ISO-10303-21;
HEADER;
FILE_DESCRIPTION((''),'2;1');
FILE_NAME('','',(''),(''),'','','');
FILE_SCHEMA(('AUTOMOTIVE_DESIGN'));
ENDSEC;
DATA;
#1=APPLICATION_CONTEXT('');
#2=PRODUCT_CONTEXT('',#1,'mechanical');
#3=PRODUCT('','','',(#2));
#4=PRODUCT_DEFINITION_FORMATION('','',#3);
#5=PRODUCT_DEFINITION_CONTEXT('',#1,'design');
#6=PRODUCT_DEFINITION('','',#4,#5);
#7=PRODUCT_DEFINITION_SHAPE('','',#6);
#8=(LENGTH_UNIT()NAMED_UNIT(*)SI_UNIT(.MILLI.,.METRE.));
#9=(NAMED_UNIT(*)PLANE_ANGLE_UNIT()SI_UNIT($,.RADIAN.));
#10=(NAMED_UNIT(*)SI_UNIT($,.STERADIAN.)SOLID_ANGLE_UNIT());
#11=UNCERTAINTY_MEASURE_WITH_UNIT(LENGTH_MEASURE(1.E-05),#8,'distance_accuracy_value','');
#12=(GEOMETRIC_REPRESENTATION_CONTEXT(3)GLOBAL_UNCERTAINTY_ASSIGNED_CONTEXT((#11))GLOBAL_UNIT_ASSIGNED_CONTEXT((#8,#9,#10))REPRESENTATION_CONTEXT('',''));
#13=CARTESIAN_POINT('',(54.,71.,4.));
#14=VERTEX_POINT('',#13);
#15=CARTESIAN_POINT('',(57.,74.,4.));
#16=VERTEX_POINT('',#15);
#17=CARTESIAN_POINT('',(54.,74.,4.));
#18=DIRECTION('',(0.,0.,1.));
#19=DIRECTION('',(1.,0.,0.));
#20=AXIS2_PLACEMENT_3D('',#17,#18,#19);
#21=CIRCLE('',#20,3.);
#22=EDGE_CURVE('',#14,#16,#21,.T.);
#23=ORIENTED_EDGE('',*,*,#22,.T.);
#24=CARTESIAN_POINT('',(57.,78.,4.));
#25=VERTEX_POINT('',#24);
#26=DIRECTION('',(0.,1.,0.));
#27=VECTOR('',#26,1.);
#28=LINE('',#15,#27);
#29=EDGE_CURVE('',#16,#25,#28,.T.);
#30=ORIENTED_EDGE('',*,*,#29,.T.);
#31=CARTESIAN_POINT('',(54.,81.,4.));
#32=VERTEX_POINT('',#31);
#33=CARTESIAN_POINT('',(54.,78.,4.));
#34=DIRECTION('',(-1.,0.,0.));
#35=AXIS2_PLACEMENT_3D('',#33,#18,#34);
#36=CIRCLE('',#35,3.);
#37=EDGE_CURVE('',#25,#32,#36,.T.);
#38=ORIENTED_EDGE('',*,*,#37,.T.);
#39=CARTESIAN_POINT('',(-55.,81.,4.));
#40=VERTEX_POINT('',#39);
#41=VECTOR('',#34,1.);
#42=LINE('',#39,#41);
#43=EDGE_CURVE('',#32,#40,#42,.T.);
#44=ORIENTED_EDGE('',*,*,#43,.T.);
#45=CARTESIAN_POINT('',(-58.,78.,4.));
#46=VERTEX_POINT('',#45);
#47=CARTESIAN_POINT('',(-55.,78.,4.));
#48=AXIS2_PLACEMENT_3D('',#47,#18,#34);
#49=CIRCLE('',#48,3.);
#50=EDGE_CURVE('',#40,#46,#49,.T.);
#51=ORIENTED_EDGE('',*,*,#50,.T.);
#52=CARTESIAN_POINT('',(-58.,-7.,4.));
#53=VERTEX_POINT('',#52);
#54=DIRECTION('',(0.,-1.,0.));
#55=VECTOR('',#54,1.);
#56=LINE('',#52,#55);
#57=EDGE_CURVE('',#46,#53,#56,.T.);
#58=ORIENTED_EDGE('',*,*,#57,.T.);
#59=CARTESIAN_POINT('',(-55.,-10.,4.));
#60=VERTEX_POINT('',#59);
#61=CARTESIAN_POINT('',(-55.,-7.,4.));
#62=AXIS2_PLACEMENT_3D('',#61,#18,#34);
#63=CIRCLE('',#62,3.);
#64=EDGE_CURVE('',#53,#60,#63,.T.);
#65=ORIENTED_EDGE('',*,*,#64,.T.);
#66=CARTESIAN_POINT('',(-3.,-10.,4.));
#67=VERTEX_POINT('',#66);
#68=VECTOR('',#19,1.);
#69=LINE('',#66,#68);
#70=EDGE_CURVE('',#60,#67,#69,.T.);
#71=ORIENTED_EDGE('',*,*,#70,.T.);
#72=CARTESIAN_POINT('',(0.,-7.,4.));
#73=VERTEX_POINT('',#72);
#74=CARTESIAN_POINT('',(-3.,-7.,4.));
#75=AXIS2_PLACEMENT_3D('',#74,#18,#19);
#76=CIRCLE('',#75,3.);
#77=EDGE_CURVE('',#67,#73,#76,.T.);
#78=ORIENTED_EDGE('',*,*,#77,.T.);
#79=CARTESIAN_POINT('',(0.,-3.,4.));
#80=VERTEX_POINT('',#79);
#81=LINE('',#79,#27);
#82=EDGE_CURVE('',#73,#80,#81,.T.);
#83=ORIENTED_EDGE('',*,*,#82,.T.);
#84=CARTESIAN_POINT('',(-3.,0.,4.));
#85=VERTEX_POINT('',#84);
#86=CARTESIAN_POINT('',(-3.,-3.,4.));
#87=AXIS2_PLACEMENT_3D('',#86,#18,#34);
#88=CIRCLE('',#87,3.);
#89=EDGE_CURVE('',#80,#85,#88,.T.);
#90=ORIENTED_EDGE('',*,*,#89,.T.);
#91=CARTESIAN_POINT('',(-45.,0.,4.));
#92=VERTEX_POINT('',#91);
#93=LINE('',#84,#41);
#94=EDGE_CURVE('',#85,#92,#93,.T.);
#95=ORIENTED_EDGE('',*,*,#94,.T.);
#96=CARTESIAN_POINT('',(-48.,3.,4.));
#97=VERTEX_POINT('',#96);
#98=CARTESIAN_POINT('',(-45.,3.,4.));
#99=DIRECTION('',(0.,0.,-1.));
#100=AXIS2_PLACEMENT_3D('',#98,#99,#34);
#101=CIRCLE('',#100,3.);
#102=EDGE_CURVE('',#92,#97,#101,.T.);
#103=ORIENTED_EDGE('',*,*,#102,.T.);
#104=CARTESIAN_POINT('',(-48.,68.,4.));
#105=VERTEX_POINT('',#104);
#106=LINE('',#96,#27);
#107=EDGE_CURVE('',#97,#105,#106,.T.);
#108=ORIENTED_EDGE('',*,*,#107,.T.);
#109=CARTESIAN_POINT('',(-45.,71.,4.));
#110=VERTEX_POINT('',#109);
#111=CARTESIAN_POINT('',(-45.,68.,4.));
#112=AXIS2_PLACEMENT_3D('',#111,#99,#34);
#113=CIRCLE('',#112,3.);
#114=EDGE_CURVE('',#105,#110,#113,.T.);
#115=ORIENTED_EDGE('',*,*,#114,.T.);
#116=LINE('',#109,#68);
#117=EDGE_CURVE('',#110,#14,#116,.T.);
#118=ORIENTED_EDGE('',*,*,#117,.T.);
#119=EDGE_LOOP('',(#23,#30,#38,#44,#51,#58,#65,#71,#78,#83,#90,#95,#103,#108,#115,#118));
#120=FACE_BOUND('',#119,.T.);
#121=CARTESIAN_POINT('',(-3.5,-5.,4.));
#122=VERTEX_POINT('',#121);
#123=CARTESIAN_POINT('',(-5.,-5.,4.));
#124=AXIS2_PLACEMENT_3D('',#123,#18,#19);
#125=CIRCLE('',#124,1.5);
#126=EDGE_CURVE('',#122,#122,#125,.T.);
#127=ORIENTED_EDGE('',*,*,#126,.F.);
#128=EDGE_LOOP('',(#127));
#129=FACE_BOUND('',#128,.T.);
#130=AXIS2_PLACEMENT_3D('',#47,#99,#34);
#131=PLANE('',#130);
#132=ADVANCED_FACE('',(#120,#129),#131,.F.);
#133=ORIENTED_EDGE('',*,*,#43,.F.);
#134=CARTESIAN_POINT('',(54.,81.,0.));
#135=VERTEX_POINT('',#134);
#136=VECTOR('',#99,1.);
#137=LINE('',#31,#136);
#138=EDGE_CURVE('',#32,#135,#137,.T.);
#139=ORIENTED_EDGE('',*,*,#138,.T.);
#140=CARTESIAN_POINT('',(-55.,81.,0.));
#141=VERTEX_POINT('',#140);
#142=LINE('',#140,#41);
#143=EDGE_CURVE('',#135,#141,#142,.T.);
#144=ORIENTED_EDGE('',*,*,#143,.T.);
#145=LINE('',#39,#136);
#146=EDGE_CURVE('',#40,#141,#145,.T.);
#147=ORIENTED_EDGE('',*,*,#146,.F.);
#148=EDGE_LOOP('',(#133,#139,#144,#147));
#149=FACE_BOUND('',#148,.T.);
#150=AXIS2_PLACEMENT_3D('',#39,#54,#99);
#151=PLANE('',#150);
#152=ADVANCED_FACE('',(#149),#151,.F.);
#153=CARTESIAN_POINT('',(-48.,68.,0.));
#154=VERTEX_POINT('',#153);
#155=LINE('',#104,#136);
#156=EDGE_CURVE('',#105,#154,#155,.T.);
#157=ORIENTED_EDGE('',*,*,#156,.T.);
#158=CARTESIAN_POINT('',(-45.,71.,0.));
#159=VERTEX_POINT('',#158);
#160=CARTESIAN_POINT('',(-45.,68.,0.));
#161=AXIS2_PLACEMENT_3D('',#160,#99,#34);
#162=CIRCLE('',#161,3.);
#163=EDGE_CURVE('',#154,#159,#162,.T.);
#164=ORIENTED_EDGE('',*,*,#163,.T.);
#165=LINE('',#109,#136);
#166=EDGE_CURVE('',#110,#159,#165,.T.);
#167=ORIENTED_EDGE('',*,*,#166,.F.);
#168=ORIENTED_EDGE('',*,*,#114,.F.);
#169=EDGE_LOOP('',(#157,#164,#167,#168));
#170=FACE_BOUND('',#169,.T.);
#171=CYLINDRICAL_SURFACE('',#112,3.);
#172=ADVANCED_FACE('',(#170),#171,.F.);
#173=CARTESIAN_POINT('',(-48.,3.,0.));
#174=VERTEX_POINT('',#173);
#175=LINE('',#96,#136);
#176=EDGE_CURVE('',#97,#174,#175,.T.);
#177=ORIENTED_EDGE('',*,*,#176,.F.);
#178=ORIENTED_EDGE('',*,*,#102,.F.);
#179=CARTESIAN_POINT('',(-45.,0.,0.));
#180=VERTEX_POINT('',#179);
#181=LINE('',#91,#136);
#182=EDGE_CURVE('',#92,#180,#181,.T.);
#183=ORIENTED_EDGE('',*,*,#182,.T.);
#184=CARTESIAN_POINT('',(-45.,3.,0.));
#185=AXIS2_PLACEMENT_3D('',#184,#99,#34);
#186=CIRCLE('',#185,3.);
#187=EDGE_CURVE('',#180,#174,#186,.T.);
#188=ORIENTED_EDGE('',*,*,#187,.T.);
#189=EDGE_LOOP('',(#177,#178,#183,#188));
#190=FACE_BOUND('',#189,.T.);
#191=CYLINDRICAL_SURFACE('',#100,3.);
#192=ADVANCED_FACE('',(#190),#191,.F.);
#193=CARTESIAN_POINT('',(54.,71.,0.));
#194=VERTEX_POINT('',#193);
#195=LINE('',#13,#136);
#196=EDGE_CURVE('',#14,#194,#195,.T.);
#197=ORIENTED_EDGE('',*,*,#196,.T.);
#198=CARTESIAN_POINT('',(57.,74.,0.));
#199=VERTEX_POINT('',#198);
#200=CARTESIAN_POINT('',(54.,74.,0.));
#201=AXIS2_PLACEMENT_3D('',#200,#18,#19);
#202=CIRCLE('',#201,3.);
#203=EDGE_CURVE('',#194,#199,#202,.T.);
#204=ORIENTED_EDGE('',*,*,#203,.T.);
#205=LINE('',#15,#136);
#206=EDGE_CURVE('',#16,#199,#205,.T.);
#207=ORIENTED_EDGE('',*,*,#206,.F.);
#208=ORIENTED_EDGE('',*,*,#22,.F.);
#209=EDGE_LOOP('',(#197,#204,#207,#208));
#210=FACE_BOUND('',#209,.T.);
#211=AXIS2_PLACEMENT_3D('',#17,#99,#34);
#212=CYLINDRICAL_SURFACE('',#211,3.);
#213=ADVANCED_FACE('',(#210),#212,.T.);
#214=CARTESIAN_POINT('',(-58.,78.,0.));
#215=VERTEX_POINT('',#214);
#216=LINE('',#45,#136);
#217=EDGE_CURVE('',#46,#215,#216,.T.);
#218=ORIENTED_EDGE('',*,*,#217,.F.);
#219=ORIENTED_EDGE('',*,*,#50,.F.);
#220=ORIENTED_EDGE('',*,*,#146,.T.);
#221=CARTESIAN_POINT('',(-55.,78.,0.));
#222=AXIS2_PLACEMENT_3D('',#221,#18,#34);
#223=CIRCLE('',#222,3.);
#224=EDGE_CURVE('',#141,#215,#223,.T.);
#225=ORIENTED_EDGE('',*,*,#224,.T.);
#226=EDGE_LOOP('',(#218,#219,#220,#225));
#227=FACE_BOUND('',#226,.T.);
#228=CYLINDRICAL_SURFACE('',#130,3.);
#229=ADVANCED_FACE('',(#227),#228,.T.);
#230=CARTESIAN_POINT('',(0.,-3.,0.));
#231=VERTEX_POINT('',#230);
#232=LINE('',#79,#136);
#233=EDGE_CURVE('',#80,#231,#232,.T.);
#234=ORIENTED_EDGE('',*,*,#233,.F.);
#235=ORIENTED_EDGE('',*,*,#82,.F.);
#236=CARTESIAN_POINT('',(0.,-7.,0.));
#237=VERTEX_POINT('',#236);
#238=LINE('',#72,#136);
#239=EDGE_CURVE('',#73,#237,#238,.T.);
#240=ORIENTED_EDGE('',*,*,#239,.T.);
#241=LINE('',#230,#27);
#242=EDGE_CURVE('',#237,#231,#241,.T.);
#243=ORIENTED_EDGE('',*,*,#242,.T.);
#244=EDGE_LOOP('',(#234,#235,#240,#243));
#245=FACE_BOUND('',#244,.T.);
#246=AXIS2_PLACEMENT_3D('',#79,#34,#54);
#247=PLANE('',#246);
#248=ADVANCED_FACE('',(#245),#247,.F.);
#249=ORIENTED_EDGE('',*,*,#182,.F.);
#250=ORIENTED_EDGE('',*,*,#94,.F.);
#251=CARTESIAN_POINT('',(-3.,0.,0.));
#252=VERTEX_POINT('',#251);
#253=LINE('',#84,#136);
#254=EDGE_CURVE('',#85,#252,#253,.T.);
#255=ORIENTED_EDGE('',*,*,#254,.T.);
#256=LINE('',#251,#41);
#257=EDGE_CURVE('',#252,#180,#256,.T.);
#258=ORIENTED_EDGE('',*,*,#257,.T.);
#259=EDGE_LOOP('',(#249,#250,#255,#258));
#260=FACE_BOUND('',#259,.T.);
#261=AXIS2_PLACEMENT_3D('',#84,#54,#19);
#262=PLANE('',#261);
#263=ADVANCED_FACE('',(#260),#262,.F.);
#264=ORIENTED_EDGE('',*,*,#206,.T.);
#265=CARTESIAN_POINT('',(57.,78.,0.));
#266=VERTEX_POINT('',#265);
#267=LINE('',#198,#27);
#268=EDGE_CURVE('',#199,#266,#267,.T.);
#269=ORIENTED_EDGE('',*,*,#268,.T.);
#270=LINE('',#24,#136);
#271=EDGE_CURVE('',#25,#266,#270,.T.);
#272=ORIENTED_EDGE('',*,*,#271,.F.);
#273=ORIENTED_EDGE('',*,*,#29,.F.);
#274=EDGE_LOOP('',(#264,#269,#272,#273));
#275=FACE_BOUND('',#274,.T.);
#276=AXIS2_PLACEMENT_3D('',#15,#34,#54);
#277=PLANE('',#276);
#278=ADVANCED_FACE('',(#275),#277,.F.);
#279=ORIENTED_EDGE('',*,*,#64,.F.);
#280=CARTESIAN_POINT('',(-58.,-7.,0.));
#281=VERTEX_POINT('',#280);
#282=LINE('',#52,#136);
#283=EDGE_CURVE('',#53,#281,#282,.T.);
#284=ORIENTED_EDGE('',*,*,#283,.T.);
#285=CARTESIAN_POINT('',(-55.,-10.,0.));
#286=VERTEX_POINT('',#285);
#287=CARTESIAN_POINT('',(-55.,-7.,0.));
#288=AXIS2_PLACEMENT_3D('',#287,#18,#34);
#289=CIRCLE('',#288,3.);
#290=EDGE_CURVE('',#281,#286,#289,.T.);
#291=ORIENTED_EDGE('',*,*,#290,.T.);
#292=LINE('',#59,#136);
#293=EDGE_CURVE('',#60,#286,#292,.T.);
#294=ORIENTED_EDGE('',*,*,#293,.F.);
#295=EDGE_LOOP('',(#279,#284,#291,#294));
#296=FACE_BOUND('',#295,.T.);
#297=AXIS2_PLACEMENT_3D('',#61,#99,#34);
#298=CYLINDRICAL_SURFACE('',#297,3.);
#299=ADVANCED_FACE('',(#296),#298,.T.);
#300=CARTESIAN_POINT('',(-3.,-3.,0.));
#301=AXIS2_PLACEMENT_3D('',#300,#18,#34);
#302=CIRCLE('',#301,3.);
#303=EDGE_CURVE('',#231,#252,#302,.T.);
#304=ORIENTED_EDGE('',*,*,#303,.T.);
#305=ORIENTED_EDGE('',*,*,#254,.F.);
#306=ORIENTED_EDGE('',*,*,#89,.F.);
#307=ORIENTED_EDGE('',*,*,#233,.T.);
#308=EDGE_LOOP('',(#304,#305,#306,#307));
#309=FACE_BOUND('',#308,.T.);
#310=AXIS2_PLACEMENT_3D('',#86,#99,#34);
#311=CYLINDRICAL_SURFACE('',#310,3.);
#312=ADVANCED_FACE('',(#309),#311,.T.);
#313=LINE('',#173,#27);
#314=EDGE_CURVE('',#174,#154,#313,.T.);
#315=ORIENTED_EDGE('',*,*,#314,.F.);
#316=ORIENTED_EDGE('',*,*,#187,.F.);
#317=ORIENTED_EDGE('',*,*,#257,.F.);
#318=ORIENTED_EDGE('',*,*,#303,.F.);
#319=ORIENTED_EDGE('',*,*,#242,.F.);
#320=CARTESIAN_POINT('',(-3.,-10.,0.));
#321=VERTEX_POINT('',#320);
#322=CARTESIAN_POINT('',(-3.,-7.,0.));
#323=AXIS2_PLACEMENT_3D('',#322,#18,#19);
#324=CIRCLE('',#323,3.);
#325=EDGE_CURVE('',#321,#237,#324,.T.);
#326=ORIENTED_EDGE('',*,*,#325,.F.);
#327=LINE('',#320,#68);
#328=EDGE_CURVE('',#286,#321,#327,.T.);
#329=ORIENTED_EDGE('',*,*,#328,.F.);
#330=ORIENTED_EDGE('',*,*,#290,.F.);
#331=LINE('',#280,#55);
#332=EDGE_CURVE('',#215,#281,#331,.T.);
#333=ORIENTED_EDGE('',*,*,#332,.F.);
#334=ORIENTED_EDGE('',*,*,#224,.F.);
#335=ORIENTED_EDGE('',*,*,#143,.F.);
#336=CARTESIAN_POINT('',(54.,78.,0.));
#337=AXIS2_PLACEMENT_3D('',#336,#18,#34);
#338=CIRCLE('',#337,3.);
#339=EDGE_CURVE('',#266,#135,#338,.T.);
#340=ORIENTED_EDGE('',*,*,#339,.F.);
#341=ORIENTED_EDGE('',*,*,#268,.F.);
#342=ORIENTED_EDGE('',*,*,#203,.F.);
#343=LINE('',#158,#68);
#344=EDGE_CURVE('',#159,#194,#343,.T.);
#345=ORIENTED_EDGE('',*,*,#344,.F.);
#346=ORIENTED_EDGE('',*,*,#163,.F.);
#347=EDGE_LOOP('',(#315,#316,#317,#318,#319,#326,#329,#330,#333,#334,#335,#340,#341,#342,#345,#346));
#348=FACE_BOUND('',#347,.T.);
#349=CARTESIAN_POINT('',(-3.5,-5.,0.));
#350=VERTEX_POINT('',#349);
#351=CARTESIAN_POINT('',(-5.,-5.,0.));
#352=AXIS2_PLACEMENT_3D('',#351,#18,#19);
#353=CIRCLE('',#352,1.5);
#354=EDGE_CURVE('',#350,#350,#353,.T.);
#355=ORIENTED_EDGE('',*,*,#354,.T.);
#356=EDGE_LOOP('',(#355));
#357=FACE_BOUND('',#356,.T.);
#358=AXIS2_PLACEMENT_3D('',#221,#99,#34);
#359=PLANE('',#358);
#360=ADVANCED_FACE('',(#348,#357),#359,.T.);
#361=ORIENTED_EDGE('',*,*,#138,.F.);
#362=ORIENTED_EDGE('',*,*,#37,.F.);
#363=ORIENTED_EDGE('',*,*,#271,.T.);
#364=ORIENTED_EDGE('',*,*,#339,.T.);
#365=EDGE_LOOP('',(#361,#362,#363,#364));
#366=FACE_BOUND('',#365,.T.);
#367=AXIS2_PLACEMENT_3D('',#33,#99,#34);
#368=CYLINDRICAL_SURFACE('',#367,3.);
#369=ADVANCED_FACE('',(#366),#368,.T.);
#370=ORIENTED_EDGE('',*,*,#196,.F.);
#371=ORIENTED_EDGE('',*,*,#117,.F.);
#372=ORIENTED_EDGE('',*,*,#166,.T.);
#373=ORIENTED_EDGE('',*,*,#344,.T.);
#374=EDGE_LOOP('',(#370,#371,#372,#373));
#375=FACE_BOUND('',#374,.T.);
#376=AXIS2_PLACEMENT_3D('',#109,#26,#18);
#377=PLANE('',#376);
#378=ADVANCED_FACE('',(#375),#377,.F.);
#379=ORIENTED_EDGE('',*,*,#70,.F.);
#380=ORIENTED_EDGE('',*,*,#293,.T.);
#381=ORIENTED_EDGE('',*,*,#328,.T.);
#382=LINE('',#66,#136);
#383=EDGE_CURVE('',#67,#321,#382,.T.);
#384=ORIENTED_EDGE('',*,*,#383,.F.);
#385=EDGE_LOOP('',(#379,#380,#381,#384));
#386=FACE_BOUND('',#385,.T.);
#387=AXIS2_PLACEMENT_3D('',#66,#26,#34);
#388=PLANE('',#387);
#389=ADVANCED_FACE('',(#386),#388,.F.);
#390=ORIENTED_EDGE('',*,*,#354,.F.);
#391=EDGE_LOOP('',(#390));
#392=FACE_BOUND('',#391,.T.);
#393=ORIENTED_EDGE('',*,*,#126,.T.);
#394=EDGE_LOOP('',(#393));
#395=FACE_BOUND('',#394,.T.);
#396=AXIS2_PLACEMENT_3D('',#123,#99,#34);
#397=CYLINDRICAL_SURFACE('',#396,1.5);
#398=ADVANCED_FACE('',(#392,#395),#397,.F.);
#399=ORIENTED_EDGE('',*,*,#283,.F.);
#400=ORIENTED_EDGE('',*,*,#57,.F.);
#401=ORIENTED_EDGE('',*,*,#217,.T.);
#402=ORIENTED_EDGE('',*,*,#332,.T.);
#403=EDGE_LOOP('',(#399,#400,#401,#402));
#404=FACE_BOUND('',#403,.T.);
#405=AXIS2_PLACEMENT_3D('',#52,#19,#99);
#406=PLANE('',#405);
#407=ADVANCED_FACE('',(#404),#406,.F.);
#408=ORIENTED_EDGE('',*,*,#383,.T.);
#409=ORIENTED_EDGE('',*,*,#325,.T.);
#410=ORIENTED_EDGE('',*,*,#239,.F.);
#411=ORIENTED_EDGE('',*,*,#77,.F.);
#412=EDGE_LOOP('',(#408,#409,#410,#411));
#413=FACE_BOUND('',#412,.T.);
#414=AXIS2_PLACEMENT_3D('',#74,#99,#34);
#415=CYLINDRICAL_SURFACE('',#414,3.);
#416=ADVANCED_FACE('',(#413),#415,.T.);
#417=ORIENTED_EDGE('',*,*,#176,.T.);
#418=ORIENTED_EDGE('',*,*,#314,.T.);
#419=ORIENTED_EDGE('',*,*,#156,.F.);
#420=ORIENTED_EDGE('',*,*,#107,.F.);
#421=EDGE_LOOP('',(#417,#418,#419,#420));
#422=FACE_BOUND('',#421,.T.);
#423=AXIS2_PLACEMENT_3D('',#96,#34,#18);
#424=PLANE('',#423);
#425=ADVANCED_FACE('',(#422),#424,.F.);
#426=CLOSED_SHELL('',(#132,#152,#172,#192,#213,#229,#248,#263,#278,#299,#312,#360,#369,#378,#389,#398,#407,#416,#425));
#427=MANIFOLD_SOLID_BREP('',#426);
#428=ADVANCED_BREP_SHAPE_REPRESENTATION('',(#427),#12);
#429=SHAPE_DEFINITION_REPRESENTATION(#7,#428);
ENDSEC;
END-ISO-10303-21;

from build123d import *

# Parameters (mm, degrees)
SKETCH1_R           = 1.5
BOSS_EXTRUDE1_DEPTH = 4


with BuildPart() as part:
    # Sketch1 → Boss-Extrude1 (new body)
    with BuildSketch(Plane.XY):
        with BuildLine():
            Line((-3, 0), (-45, 0))
            ThreePointArc((-45, 0), (-47.121320344, 0.878679656), (-48, 3))
            Line((-48, 3), (-48, 68))
            ThreePointArc((-48, 68), (-47.121320344, 70.121320344), (-45, 71))
            Line((-45, 71), (54, 71))
            ThreePointArc((54, 71), (56.121320344, 71.878679656), (57, 74))
            Line((57, 74), (57, 78))
            ThreePointArc((57, 78), (56.121320344, 80.121320344), (54, 81))
            Line((54, 81), (-55, 81))
            ThreePointArc((-55, 81), (-57.121320344, 80.121320344), (-58, 78))
            Line((-58, 78), (-58, -7))
            ThreePointArc((-58, -7), (-57.121320344, -9.121320344), (-55, -10))
            Line((-55, -10), (-3, -10))
            ThreePointArc((-3, -10), (-0.878679656, -9.121320344), (0, -7))
            Line((0, -7), (0, -3))
            ThreePointArc((0, -3), (-0.878679656, -0.878679656), (-3, 0))
        make_face()
        with Locations((-5, -5)):
            Circle(SKETCH1_R, mode=Mode.SUBTRACT)
    extrude(amount=BOSS_EXTRUDE1_DEPTH)


solid = part.part
